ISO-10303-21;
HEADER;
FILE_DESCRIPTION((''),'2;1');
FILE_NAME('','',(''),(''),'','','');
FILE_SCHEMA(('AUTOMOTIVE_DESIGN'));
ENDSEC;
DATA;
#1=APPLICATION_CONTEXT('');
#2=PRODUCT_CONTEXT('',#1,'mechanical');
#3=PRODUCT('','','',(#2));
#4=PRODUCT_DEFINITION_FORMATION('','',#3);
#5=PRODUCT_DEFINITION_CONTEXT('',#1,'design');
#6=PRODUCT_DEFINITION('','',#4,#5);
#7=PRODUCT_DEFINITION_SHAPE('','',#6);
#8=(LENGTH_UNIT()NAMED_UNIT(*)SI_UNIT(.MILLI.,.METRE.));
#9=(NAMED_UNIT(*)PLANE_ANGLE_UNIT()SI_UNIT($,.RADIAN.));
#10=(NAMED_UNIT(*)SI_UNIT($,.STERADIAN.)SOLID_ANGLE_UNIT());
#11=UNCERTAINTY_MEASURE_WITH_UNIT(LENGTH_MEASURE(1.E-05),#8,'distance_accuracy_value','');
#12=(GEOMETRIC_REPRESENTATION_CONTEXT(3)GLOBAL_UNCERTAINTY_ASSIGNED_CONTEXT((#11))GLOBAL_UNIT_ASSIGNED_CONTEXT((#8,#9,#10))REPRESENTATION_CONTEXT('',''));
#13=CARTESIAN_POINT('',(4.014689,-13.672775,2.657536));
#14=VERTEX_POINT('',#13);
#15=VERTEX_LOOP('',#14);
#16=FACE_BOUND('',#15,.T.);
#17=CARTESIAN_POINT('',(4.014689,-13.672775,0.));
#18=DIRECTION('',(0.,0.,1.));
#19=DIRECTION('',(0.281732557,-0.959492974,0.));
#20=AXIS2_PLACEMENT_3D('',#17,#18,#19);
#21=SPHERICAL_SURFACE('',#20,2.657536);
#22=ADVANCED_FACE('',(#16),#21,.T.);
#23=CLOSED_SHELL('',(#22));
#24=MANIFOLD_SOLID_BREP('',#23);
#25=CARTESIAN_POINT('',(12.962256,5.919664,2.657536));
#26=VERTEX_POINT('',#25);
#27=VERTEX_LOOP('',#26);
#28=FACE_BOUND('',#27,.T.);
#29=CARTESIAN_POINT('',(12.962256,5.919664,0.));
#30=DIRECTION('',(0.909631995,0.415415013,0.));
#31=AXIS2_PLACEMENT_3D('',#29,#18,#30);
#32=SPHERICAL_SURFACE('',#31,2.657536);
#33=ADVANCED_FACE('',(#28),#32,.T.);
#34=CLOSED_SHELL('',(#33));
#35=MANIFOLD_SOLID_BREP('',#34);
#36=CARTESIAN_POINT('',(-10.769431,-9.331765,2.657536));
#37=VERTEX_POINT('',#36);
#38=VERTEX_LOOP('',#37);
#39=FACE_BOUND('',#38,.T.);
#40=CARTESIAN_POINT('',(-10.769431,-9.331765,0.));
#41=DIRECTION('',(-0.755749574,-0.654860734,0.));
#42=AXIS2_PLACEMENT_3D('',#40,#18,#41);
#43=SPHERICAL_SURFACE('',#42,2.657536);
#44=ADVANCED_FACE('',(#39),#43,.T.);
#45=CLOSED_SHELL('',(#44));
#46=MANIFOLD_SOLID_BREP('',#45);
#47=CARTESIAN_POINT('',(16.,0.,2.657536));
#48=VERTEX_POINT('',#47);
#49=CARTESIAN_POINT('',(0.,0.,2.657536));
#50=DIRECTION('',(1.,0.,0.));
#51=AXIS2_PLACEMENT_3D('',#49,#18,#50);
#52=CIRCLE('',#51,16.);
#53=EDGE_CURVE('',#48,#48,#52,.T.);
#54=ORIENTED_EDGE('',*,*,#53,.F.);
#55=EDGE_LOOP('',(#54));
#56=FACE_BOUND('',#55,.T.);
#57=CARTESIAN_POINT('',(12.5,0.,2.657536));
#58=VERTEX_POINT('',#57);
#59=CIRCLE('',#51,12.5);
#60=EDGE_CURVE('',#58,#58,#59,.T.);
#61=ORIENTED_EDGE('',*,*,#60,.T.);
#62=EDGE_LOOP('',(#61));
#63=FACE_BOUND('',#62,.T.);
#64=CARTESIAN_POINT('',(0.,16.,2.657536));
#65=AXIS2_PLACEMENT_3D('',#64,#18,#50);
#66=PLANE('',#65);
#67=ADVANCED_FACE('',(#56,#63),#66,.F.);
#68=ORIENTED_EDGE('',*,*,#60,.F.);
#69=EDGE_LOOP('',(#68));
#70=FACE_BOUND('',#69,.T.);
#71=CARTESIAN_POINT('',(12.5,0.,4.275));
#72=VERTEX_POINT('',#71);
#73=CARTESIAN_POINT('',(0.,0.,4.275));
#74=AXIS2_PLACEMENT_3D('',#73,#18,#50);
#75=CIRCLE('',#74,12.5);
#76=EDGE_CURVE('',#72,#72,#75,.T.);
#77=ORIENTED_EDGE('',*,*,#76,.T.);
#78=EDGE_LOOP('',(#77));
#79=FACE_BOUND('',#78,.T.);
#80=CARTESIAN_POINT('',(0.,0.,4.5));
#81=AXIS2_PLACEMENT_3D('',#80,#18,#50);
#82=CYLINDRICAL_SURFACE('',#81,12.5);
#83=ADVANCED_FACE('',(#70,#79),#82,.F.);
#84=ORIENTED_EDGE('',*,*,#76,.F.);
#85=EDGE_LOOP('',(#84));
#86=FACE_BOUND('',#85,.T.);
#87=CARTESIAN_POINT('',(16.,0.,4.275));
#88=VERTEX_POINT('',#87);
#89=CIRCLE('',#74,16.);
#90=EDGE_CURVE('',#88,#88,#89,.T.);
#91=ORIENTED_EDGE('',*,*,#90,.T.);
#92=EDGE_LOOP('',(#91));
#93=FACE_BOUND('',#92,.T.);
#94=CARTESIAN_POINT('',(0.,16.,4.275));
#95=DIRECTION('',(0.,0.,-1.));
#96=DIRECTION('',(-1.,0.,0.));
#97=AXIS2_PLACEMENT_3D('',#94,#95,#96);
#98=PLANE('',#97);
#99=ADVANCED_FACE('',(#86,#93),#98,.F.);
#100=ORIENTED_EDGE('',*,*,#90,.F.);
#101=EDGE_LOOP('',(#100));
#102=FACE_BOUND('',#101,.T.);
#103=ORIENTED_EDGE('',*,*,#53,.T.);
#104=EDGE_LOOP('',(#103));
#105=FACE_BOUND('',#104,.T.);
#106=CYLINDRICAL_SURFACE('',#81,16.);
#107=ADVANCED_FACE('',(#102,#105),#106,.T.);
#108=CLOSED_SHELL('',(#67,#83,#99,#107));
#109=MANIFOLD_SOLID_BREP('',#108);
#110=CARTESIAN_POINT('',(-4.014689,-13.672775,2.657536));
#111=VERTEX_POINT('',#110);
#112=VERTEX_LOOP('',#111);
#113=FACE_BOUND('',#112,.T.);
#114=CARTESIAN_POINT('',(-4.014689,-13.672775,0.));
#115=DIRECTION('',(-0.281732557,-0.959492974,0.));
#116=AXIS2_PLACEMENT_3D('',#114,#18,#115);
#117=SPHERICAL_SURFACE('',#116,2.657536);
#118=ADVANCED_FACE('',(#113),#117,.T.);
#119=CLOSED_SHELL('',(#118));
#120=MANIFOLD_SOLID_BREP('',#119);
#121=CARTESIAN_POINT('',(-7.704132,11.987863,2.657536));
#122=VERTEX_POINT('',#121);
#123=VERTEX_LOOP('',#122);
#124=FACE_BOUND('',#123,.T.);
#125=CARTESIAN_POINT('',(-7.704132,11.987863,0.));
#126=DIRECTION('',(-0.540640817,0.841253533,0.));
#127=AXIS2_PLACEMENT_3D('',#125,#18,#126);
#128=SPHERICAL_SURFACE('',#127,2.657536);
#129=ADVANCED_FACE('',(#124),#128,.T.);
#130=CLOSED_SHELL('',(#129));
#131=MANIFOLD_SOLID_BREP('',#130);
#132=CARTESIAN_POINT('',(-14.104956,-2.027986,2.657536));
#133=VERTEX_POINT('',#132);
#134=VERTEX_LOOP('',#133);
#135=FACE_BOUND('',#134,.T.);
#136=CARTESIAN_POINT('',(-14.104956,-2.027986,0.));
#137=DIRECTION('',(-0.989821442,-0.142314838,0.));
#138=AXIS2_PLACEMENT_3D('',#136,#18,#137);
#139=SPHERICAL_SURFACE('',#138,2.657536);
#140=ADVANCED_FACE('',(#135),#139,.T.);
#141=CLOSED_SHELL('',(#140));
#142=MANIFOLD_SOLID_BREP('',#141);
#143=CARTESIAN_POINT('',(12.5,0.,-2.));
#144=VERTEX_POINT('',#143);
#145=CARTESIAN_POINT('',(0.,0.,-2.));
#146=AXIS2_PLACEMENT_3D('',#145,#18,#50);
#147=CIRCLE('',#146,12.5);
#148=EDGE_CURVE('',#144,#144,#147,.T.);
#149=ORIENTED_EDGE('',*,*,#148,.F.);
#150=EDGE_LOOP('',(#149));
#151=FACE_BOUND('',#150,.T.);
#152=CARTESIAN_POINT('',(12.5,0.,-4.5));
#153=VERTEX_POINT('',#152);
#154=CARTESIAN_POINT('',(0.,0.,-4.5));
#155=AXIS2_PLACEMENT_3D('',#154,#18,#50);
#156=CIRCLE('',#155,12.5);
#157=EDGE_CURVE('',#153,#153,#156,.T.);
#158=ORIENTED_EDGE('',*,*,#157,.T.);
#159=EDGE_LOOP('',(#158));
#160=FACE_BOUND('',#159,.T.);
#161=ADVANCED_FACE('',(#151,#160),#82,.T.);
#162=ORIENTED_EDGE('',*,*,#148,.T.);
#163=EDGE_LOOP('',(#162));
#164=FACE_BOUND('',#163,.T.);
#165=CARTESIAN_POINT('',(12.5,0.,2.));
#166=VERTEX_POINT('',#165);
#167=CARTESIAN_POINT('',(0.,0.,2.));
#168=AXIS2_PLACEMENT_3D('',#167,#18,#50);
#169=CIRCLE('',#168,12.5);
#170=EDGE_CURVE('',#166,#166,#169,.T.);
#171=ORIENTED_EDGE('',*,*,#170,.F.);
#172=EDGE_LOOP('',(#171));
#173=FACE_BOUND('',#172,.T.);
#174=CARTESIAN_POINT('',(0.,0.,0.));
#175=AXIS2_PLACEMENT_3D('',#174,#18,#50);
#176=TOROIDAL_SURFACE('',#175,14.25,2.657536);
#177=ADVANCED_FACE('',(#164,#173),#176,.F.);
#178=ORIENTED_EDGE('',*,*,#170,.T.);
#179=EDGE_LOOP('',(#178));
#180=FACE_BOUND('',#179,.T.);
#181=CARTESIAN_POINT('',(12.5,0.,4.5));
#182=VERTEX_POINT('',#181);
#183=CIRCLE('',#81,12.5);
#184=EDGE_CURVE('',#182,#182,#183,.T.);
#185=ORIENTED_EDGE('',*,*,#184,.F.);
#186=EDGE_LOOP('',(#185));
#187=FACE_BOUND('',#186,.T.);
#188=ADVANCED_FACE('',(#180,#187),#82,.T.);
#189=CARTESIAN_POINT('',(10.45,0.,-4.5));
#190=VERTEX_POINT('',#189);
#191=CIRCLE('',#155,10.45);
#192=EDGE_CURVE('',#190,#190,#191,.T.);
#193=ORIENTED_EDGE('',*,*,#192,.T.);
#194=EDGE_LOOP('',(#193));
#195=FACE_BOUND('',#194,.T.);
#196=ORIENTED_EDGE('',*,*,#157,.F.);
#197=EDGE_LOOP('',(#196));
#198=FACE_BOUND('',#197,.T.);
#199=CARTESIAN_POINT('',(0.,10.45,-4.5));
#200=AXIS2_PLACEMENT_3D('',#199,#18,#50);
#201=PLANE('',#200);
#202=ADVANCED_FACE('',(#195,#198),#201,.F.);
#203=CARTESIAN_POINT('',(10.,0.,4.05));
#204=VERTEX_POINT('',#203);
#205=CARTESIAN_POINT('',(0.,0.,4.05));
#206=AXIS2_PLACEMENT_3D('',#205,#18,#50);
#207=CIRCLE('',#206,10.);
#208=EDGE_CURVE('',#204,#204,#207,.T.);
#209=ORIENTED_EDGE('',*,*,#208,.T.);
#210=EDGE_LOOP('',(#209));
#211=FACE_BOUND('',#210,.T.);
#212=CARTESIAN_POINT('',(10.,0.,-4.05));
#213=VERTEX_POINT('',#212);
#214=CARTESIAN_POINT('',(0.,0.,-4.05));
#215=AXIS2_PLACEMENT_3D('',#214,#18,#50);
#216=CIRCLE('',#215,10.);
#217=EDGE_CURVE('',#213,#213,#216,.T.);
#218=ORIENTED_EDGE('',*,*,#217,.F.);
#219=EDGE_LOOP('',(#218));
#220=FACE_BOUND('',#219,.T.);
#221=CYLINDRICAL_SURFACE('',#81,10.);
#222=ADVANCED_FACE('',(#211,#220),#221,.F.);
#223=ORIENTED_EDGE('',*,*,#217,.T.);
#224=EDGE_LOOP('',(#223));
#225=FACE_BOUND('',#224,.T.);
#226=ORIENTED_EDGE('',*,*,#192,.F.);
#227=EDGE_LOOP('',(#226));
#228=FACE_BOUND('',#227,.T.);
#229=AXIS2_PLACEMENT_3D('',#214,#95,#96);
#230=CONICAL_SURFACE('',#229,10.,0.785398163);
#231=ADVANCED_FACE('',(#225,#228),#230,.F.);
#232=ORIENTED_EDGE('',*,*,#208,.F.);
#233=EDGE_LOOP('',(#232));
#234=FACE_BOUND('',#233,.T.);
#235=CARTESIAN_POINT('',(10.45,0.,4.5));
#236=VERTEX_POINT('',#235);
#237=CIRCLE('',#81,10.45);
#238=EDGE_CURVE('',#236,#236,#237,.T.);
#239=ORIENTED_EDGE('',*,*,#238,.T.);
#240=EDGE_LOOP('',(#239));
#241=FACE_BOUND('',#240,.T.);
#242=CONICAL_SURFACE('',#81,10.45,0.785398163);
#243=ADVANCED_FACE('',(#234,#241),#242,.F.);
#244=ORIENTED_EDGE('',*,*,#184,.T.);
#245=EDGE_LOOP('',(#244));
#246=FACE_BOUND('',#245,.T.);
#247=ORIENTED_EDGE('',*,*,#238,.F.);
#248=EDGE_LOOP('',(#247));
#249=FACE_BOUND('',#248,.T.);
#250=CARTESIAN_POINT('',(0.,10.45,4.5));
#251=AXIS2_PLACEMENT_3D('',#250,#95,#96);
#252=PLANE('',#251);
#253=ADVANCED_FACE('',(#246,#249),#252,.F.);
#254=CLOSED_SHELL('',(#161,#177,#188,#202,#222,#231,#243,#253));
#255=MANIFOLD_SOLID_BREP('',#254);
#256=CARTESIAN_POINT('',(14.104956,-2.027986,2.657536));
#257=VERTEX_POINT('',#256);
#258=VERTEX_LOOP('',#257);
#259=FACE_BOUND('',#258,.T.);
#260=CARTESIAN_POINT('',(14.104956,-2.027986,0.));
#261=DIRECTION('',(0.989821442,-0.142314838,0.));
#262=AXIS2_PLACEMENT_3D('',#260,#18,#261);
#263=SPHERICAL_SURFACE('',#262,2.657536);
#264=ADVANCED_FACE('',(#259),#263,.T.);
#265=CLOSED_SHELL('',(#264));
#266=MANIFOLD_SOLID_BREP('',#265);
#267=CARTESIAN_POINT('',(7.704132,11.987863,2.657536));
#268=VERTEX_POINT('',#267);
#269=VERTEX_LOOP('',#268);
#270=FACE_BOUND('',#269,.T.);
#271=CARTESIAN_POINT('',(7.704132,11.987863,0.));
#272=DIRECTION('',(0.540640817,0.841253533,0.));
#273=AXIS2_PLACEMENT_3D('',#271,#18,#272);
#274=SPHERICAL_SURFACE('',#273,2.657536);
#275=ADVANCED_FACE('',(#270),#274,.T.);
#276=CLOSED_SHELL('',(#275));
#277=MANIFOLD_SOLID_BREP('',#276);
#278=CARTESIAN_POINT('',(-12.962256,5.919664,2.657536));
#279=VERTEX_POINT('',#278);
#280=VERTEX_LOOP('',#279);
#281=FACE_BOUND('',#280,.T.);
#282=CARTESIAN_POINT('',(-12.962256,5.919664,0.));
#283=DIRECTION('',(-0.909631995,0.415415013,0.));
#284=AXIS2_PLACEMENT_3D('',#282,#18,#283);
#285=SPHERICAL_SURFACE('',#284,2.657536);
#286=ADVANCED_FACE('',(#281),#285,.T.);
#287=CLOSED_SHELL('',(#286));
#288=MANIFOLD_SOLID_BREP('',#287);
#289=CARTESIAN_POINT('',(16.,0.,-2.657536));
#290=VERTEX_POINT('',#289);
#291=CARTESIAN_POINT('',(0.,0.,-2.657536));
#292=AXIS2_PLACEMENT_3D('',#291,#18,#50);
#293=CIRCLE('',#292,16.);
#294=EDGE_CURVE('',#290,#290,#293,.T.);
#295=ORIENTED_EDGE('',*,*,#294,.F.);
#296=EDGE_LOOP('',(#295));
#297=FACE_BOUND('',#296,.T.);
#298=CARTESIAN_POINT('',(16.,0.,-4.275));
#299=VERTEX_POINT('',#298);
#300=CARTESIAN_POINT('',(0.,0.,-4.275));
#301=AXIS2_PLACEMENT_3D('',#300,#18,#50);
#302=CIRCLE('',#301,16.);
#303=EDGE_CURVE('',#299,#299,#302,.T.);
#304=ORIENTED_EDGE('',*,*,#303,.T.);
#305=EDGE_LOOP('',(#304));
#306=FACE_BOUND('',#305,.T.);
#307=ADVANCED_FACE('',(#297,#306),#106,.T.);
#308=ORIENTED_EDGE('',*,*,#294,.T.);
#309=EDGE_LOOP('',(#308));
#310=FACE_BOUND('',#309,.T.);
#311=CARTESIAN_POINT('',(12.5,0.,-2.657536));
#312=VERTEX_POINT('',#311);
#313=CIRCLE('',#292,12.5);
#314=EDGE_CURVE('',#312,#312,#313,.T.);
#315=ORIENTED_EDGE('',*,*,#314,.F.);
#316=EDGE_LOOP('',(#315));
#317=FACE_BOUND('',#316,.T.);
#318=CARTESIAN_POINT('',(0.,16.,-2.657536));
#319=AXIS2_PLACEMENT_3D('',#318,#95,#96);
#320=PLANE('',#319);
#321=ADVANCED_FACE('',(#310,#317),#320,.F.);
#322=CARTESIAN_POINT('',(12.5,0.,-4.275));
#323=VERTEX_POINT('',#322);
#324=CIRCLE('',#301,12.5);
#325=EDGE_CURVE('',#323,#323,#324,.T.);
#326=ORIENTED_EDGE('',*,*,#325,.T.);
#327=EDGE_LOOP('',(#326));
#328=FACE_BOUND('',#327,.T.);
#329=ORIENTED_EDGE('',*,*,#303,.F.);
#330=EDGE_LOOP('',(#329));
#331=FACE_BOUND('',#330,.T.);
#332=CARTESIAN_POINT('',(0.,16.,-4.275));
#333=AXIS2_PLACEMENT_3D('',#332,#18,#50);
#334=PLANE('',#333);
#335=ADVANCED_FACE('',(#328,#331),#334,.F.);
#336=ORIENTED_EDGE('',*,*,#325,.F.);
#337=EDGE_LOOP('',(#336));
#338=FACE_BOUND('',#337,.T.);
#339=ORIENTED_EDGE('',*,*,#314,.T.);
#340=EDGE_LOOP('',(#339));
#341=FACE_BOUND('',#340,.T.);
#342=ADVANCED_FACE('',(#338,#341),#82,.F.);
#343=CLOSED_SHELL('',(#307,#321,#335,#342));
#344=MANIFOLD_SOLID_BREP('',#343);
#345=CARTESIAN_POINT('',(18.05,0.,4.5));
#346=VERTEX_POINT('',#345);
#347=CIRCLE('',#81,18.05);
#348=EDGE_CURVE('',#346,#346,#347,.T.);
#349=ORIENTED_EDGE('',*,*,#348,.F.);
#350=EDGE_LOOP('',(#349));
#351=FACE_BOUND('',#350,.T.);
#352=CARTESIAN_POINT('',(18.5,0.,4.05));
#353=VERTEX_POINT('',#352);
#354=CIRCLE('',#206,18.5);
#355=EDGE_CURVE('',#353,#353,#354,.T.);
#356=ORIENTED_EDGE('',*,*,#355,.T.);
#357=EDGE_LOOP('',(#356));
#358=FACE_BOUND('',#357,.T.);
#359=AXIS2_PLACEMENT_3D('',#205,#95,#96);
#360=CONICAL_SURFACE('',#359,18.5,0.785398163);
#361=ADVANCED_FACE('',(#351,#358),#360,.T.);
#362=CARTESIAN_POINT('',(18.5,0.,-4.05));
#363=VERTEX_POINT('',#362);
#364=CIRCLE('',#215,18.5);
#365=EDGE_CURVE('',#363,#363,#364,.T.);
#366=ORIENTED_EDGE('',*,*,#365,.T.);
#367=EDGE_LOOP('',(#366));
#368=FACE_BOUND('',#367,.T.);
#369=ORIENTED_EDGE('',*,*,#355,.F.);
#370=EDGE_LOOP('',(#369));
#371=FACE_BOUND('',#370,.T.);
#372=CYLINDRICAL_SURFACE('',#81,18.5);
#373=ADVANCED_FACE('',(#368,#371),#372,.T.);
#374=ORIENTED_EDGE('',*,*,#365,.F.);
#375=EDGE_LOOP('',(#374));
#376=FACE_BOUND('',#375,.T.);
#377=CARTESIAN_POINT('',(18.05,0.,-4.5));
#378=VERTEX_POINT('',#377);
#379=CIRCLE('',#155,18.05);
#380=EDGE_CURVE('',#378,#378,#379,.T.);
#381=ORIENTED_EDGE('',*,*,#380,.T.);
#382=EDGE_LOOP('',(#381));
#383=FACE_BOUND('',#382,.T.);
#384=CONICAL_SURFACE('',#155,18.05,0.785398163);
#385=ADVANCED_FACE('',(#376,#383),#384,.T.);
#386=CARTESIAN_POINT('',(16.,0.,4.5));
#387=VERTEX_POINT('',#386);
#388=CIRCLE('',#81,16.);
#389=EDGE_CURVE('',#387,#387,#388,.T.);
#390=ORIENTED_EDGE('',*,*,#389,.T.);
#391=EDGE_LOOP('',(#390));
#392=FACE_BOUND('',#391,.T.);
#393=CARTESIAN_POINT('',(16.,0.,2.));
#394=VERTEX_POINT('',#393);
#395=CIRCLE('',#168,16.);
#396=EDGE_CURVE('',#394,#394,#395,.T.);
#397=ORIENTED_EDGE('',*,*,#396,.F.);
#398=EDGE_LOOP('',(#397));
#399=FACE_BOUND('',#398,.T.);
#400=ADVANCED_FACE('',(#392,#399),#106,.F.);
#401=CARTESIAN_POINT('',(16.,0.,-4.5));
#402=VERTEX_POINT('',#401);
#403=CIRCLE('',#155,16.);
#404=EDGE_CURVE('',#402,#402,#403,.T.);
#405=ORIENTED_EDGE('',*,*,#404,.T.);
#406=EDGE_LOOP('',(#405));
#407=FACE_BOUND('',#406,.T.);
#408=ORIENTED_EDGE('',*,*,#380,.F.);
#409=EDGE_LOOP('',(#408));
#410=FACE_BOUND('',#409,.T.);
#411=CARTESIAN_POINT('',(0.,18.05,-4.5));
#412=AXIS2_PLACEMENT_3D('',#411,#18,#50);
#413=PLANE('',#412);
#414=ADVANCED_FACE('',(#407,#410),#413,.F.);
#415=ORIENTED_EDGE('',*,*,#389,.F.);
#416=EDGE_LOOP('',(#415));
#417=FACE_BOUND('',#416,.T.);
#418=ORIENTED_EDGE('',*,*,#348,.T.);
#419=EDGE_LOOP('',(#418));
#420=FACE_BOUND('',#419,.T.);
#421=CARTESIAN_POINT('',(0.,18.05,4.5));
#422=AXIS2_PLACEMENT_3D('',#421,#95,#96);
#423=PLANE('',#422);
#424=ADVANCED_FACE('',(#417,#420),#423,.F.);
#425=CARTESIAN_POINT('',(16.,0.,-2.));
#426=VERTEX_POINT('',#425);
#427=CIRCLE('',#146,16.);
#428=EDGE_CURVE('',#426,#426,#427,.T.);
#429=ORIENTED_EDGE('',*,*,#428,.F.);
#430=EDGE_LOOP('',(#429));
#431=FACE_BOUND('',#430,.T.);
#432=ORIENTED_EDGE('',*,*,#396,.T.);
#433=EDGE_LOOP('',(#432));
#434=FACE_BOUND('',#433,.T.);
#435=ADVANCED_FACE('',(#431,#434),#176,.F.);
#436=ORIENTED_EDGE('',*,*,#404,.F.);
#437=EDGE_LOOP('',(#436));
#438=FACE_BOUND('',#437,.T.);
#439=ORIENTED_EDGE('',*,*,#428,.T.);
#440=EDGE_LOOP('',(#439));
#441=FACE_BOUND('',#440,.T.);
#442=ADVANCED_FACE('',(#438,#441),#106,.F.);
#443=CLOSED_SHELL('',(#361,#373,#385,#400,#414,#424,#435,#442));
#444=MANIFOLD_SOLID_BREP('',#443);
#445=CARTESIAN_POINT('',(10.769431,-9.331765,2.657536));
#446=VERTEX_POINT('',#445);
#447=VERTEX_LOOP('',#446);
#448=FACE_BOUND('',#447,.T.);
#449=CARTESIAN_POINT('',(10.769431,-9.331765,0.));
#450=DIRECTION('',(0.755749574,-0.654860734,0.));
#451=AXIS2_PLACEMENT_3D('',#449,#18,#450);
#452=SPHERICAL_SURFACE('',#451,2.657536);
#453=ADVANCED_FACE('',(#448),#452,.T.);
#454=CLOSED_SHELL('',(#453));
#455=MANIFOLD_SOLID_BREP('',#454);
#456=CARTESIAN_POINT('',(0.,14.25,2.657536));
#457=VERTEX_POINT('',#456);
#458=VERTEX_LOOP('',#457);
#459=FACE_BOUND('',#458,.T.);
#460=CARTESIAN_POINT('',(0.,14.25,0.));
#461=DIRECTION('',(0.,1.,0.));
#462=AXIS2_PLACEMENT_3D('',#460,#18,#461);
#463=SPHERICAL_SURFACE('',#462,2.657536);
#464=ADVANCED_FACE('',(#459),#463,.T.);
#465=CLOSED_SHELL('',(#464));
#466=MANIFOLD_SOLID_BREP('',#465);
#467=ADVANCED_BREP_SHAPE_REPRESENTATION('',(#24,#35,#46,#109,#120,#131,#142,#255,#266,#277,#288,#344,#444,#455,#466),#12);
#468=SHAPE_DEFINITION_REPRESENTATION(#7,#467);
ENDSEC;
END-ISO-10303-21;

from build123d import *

# Parameters (mm, degrees)
CIRPATTERN1_COUNT = 11
SKETCH5_W         = 1.617463547
SKETCH5_H         = 3.5


with BuildPart() as part:
    # Sketch3 → Revolve1 (revolve)
    with BuildSketch(Plane(origin=(0, 0, 0), x_dir=(0, 0, -1), z_dir=(1, 0, 0)), mode=Mode.PRIVATE) as revolve1_sk:
        with BuildLine():
            Line((-4.5, 18.05), (-4.5, 16))
            Line((-4.5, 16), (-2, 16))
            ThreePointArc((-2, 16), (0, 16.907536453), (2, 16))
            Line((2, 16), (4.5, 16))
            Line((4.5, 16), (4.5, 18.05))
            Line((4.5, 18.05), (4.05, 18.5))
            Line((4.05, 18.5), (-4.05, 18.5))
            Line((-4.05, 18.5), (-4.5, 18.05))
        make_face()
        with BuildLine():
            Line((-4.5, 10.45), (-4.5, 12.5))
            Line((-4.5, 12.5), (-2, 12.5))
            ThreePointArc((-2, 12.5), (0, 11.592463547), (2, 12.5))
            Line((2, 12.5), (4.5, 12.5))
            Line((4.5, 12.5), (4.5, 10.45))
            Line((4.5, 10.45), (4.05, 10))
            Line((4.05, 10), (-4.05, 10))
            Line((-4.05, 10), (-4.5, 10.45))
        make_face()
    revolve(revolve1_sk.sketch.rotate(Axis((0, 0, 4.5), (0, 0, -1)), 90), axis=Axis((0, 0, 4.5), (0, 0, -1)))


with BuildPart() as body_2:
    # Sketch4 → Revolve2 (revolve)
    with BuildSketch(Plane(origin=(0, 0, 0), x_dir=(0, 0, -1), z_dir=(1, 0, 0))):
        with BuildLine():
            Line((-2.657536453, 14.25), (2.657536453, 14.25))
            ThreePointArc((2.657536453, 14.25), (0, 16.907536453), (-2.657536453, 14.25))
        make_face()
    revolve(axis=Axis((0, 14.25, 2.657536453), (0, 0, -1)))


with BuildPart() as cirpattern1_1:
    # CirPattern1: pattern copy
    add(body_2.part.rotate(Axis((0, 0, 0), (0, 0, 1)), 1 * 360 / CIRPATTERN1_COUNT))


with BuildPart() as cirpattern1_2:
    # CirPattern1: pattern copy
    add(body_2.part.rotate(Axis((0, 0, 0), (0, 0, 1)), 2 * 360 / CIRPATTERN1_COUNT))


with BuildPart() as cirpattern1_3:
    # CirPattern1: pattern copy
    add(body_2.part.rotate(Axis((0, 0, 0), (0, 0, 1)), 3 * 360 / CIRPATTERN1_COUNT))


with BuildPart() as cirpattern1_4:
    # CirPattern1: pattern copy
    add(body_2.part.rotate(Axis((0, 0, 0), (0, 0, 1)), 4 * 360 / CIRPATTERN1_COUNT))


with BuildPart() as cirpattern1_5:
    # CirPattern1: pattern copy
    add(body_2.part.rotate(Axis((0, 0, 0), (0, 0, 1)), 5 * 360 / CIRPATTERN1_COUNT))


with BuildPart() as cirpattern1_6:
    # CirPattern1: pattern copy
    add(body_2.part.rotate(Axis((0, 0, 0), (0, 0, 1)), 6 * 360 / CIRPATTERN1_COUNT))


with BuildPart() as cirpattern1_7:
    # CirPattern1: pattern copy
    add(body_2.part.rotate(Axis((0, 0, 0), (0, 0, 1)), 7 * 360 / CIRPATTERN1_COUNT))


with BuildPart() as cirpattern1_8:
    # CirPattern1: pattern copy
    add(body_2.part.rotate(Axis((0, 0, 0), (0, 0, 1)), 8 * 360 / CIRPATTERN1_COUNT))


with BuildPart() as cirpattern1_9:
    # CirPattern1: pattern copy
    add(body_2.part.rotate(Axis((0, 0, 0), (0, 0, 1)), 9 * 360 / CIRPATTERN1_COUNT))


with BuildPart() as cirpattern1_10:
    # CirPattern1: pattern copy
    add(body_2.part.rotate(Axis((0, 0, 0), (0, 0, 1)), 10 * 360 / CIRPATTERN1_COUNT))


with BuildPart() as body_13:
    # Sketch5 → Revolve3 (revolve)
    with BuildSketch(Plane(origin=(0, 0, 0), x_dir=(0, 0, -1), z_dir=(1, 0, 0)), mode=Mode.PRIVATE) as revolve3_sk:
        with Locations((-3.466268227, 14.25)):
            Rectangle(SKETCH5_W, SKETCH5_H)
        with Locations((3.466268227, 14.25)):
            Rectangle(SKETCH5_W, SKETCH5_H)
    revolve(revolve3_sk.sketch.rotate(Axis((0, 0, 4.5), (0, 0, -1)), 90), axis=Axis((0, 0, 4.5), (0, 0, -1)))


solid = Compound([part.part, body_2.part, cirpattern1_1.part, cirpattern1_2.part, cirpattern1_3.part, cirpattern1_4.part, cirpattern1_5.part, cirpattern1_6.part, cirpattern1_7.part, cirpattern1_8.part, cirpattern1_9.part, cirpattern1_10.part, body_13.part])
